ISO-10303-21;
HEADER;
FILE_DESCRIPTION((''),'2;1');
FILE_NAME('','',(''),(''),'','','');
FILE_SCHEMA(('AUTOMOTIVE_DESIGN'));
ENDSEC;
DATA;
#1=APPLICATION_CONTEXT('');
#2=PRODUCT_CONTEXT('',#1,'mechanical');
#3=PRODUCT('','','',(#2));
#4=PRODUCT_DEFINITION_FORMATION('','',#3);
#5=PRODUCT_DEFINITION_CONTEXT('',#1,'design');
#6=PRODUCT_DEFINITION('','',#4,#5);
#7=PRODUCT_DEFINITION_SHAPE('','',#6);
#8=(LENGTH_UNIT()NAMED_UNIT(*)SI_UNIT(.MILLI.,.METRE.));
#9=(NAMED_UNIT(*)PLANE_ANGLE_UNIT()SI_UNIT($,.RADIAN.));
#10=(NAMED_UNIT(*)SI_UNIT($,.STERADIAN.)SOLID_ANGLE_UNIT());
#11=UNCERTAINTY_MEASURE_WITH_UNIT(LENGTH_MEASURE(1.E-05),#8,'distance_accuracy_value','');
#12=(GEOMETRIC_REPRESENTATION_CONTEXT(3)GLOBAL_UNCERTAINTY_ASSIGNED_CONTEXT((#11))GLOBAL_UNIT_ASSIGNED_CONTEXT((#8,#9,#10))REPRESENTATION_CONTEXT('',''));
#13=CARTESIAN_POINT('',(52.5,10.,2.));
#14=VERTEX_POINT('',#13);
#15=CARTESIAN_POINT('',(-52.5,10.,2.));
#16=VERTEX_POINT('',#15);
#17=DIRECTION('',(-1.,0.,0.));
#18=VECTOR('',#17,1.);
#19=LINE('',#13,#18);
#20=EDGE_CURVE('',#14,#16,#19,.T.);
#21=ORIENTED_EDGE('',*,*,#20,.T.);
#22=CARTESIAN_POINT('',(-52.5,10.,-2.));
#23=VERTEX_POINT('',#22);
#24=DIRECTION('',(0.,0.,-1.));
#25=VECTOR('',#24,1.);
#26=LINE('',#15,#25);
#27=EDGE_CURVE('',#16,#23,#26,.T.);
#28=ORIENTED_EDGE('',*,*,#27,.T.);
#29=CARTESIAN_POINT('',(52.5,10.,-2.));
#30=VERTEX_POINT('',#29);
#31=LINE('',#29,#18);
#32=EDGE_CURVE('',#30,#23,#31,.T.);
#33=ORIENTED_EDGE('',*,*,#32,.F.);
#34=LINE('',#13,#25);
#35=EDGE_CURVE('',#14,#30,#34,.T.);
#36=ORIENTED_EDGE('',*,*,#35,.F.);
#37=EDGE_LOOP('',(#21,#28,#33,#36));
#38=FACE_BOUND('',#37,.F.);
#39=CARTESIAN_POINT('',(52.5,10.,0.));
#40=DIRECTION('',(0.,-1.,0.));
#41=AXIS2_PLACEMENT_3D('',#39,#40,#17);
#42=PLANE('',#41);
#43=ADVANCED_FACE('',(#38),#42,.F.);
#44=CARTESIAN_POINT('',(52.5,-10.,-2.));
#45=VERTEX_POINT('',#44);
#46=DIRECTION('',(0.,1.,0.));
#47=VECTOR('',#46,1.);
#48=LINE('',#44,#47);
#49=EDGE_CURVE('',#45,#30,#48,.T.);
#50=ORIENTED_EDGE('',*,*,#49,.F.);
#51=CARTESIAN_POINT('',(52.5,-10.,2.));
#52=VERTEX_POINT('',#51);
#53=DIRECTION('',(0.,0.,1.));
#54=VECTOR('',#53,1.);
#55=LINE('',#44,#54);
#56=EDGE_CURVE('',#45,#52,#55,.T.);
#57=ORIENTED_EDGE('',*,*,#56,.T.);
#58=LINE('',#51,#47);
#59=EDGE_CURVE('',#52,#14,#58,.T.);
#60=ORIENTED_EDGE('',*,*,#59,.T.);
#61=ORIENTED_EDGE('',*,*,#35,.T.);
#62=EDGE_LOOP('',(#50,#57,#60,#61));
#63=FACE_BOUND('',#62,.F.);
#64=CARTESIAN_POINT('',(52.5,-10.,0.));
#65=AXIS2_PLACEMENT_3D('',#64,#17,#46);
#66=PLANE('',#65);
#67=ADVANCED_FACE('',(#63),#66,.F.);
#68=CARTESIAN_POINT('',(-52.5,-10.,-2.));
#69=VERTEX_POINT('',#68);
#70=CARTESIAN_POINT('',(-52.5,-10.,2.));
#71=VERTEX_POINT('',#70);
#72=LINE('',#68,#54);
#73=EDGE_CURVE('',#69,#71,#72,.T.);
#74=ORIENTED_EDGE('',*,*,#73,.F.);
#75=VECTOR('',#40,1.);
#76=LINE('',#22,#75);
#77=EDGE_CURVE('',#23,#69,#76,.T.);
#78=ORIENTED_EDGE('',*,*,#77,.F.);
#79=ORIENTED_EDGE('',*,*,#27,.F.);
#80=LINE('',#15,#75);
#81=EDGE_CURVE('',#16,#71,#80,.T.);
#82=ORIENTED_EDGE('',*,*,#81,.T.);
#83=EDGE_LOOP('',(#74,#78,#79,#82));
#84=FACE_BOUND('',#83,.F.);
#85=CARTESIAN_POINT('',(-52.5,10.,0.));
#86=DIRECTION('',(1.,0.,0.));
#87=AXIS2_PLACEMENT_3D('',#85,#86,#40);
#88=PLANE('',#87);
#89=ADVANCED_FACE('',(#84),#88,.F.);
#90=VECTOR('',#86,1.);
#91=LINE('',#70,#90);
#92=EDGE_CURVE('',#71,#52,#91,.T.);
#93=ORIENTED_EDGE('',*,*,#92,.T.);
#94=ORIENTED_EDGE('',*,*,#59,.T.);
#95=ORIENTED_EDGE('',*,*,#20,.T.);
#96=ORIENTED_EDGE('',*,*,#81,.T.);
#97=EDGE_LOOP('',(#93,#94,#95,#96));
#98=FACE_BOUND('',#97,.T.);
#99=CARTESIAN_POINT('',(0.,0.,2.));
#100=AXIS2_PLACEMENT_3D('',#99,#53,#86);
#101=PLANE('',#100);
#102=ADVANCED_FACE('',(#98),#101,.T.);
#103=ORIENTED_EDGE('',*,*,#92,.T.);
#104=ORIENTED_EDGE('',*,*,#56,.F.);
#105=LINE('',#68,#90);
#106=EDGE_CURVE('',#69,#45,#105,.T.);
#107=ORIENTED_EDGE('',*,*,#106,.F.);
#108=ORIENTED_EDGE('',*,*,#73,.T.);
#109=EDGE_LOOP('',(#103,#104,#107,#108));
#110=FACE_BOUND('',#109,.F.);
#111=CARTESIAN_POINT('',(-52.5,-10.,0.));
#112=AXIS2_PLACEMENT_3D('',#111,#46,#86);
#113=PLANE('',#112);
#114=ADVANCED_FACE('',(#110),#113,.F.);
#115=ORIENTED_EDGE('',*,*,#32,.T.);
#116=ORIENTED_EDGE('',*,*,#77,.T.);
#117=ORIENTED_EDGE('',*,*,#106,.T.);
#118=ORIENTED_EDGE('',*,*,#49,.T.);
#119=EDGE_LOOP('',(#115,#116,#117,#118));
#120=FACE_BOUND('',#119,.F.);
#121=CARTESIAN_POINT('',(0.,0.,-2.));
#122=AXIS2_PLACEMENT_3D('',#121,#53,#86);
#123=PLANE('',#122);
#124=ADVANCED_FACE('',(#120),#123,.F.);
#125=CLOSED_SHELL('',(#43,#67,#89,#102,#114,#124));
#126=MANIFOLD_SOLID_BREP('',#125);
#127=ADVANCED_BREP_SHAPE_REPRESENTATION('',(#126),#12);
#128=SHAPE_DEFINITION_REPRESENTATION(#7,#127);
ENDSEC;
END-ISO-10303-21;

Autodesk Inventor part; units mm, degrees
ref_plane "YZ Plane" through (0, 0, 0) normal (1, 0, 0) x (0, 1, 0)
ref_plane "XZ Plane" through (0, 0, 0) normal (0, 1, 0) x (-1, 0, 0)
ref_plane "XY Plane" through (0, 0, 0) normal (0, 0, 1) x (1, 0, 0)
sketch "Sketch1" plane through (0, 0, 0) normal (0, 0, 1) x (1, 0, 0)
  line L0 (-52.5, -10) -> (52.5, -10)
  line L1 (52.5, -10) -> (52.5, 10)
  line L2 (52.5, 10) -> (-52.5, 10)
  line L3 (-52.5, 10) -> (-52.5, -10)
  line L4 (-52.5, -10) -> (52.5, 10) construction
  line L5 (52.5, -10) -> (-52.5, 10) construction
  point P0 (0, 0)
  point P1 (0, 0)
  point P2 (0, 0)
  dimension "d2" = 105
  dimension "d3" = 20
extrude "Extrusion1" add sketch "Sketch1" along normal mid plane 4
properties part number "Platina Sillín"
